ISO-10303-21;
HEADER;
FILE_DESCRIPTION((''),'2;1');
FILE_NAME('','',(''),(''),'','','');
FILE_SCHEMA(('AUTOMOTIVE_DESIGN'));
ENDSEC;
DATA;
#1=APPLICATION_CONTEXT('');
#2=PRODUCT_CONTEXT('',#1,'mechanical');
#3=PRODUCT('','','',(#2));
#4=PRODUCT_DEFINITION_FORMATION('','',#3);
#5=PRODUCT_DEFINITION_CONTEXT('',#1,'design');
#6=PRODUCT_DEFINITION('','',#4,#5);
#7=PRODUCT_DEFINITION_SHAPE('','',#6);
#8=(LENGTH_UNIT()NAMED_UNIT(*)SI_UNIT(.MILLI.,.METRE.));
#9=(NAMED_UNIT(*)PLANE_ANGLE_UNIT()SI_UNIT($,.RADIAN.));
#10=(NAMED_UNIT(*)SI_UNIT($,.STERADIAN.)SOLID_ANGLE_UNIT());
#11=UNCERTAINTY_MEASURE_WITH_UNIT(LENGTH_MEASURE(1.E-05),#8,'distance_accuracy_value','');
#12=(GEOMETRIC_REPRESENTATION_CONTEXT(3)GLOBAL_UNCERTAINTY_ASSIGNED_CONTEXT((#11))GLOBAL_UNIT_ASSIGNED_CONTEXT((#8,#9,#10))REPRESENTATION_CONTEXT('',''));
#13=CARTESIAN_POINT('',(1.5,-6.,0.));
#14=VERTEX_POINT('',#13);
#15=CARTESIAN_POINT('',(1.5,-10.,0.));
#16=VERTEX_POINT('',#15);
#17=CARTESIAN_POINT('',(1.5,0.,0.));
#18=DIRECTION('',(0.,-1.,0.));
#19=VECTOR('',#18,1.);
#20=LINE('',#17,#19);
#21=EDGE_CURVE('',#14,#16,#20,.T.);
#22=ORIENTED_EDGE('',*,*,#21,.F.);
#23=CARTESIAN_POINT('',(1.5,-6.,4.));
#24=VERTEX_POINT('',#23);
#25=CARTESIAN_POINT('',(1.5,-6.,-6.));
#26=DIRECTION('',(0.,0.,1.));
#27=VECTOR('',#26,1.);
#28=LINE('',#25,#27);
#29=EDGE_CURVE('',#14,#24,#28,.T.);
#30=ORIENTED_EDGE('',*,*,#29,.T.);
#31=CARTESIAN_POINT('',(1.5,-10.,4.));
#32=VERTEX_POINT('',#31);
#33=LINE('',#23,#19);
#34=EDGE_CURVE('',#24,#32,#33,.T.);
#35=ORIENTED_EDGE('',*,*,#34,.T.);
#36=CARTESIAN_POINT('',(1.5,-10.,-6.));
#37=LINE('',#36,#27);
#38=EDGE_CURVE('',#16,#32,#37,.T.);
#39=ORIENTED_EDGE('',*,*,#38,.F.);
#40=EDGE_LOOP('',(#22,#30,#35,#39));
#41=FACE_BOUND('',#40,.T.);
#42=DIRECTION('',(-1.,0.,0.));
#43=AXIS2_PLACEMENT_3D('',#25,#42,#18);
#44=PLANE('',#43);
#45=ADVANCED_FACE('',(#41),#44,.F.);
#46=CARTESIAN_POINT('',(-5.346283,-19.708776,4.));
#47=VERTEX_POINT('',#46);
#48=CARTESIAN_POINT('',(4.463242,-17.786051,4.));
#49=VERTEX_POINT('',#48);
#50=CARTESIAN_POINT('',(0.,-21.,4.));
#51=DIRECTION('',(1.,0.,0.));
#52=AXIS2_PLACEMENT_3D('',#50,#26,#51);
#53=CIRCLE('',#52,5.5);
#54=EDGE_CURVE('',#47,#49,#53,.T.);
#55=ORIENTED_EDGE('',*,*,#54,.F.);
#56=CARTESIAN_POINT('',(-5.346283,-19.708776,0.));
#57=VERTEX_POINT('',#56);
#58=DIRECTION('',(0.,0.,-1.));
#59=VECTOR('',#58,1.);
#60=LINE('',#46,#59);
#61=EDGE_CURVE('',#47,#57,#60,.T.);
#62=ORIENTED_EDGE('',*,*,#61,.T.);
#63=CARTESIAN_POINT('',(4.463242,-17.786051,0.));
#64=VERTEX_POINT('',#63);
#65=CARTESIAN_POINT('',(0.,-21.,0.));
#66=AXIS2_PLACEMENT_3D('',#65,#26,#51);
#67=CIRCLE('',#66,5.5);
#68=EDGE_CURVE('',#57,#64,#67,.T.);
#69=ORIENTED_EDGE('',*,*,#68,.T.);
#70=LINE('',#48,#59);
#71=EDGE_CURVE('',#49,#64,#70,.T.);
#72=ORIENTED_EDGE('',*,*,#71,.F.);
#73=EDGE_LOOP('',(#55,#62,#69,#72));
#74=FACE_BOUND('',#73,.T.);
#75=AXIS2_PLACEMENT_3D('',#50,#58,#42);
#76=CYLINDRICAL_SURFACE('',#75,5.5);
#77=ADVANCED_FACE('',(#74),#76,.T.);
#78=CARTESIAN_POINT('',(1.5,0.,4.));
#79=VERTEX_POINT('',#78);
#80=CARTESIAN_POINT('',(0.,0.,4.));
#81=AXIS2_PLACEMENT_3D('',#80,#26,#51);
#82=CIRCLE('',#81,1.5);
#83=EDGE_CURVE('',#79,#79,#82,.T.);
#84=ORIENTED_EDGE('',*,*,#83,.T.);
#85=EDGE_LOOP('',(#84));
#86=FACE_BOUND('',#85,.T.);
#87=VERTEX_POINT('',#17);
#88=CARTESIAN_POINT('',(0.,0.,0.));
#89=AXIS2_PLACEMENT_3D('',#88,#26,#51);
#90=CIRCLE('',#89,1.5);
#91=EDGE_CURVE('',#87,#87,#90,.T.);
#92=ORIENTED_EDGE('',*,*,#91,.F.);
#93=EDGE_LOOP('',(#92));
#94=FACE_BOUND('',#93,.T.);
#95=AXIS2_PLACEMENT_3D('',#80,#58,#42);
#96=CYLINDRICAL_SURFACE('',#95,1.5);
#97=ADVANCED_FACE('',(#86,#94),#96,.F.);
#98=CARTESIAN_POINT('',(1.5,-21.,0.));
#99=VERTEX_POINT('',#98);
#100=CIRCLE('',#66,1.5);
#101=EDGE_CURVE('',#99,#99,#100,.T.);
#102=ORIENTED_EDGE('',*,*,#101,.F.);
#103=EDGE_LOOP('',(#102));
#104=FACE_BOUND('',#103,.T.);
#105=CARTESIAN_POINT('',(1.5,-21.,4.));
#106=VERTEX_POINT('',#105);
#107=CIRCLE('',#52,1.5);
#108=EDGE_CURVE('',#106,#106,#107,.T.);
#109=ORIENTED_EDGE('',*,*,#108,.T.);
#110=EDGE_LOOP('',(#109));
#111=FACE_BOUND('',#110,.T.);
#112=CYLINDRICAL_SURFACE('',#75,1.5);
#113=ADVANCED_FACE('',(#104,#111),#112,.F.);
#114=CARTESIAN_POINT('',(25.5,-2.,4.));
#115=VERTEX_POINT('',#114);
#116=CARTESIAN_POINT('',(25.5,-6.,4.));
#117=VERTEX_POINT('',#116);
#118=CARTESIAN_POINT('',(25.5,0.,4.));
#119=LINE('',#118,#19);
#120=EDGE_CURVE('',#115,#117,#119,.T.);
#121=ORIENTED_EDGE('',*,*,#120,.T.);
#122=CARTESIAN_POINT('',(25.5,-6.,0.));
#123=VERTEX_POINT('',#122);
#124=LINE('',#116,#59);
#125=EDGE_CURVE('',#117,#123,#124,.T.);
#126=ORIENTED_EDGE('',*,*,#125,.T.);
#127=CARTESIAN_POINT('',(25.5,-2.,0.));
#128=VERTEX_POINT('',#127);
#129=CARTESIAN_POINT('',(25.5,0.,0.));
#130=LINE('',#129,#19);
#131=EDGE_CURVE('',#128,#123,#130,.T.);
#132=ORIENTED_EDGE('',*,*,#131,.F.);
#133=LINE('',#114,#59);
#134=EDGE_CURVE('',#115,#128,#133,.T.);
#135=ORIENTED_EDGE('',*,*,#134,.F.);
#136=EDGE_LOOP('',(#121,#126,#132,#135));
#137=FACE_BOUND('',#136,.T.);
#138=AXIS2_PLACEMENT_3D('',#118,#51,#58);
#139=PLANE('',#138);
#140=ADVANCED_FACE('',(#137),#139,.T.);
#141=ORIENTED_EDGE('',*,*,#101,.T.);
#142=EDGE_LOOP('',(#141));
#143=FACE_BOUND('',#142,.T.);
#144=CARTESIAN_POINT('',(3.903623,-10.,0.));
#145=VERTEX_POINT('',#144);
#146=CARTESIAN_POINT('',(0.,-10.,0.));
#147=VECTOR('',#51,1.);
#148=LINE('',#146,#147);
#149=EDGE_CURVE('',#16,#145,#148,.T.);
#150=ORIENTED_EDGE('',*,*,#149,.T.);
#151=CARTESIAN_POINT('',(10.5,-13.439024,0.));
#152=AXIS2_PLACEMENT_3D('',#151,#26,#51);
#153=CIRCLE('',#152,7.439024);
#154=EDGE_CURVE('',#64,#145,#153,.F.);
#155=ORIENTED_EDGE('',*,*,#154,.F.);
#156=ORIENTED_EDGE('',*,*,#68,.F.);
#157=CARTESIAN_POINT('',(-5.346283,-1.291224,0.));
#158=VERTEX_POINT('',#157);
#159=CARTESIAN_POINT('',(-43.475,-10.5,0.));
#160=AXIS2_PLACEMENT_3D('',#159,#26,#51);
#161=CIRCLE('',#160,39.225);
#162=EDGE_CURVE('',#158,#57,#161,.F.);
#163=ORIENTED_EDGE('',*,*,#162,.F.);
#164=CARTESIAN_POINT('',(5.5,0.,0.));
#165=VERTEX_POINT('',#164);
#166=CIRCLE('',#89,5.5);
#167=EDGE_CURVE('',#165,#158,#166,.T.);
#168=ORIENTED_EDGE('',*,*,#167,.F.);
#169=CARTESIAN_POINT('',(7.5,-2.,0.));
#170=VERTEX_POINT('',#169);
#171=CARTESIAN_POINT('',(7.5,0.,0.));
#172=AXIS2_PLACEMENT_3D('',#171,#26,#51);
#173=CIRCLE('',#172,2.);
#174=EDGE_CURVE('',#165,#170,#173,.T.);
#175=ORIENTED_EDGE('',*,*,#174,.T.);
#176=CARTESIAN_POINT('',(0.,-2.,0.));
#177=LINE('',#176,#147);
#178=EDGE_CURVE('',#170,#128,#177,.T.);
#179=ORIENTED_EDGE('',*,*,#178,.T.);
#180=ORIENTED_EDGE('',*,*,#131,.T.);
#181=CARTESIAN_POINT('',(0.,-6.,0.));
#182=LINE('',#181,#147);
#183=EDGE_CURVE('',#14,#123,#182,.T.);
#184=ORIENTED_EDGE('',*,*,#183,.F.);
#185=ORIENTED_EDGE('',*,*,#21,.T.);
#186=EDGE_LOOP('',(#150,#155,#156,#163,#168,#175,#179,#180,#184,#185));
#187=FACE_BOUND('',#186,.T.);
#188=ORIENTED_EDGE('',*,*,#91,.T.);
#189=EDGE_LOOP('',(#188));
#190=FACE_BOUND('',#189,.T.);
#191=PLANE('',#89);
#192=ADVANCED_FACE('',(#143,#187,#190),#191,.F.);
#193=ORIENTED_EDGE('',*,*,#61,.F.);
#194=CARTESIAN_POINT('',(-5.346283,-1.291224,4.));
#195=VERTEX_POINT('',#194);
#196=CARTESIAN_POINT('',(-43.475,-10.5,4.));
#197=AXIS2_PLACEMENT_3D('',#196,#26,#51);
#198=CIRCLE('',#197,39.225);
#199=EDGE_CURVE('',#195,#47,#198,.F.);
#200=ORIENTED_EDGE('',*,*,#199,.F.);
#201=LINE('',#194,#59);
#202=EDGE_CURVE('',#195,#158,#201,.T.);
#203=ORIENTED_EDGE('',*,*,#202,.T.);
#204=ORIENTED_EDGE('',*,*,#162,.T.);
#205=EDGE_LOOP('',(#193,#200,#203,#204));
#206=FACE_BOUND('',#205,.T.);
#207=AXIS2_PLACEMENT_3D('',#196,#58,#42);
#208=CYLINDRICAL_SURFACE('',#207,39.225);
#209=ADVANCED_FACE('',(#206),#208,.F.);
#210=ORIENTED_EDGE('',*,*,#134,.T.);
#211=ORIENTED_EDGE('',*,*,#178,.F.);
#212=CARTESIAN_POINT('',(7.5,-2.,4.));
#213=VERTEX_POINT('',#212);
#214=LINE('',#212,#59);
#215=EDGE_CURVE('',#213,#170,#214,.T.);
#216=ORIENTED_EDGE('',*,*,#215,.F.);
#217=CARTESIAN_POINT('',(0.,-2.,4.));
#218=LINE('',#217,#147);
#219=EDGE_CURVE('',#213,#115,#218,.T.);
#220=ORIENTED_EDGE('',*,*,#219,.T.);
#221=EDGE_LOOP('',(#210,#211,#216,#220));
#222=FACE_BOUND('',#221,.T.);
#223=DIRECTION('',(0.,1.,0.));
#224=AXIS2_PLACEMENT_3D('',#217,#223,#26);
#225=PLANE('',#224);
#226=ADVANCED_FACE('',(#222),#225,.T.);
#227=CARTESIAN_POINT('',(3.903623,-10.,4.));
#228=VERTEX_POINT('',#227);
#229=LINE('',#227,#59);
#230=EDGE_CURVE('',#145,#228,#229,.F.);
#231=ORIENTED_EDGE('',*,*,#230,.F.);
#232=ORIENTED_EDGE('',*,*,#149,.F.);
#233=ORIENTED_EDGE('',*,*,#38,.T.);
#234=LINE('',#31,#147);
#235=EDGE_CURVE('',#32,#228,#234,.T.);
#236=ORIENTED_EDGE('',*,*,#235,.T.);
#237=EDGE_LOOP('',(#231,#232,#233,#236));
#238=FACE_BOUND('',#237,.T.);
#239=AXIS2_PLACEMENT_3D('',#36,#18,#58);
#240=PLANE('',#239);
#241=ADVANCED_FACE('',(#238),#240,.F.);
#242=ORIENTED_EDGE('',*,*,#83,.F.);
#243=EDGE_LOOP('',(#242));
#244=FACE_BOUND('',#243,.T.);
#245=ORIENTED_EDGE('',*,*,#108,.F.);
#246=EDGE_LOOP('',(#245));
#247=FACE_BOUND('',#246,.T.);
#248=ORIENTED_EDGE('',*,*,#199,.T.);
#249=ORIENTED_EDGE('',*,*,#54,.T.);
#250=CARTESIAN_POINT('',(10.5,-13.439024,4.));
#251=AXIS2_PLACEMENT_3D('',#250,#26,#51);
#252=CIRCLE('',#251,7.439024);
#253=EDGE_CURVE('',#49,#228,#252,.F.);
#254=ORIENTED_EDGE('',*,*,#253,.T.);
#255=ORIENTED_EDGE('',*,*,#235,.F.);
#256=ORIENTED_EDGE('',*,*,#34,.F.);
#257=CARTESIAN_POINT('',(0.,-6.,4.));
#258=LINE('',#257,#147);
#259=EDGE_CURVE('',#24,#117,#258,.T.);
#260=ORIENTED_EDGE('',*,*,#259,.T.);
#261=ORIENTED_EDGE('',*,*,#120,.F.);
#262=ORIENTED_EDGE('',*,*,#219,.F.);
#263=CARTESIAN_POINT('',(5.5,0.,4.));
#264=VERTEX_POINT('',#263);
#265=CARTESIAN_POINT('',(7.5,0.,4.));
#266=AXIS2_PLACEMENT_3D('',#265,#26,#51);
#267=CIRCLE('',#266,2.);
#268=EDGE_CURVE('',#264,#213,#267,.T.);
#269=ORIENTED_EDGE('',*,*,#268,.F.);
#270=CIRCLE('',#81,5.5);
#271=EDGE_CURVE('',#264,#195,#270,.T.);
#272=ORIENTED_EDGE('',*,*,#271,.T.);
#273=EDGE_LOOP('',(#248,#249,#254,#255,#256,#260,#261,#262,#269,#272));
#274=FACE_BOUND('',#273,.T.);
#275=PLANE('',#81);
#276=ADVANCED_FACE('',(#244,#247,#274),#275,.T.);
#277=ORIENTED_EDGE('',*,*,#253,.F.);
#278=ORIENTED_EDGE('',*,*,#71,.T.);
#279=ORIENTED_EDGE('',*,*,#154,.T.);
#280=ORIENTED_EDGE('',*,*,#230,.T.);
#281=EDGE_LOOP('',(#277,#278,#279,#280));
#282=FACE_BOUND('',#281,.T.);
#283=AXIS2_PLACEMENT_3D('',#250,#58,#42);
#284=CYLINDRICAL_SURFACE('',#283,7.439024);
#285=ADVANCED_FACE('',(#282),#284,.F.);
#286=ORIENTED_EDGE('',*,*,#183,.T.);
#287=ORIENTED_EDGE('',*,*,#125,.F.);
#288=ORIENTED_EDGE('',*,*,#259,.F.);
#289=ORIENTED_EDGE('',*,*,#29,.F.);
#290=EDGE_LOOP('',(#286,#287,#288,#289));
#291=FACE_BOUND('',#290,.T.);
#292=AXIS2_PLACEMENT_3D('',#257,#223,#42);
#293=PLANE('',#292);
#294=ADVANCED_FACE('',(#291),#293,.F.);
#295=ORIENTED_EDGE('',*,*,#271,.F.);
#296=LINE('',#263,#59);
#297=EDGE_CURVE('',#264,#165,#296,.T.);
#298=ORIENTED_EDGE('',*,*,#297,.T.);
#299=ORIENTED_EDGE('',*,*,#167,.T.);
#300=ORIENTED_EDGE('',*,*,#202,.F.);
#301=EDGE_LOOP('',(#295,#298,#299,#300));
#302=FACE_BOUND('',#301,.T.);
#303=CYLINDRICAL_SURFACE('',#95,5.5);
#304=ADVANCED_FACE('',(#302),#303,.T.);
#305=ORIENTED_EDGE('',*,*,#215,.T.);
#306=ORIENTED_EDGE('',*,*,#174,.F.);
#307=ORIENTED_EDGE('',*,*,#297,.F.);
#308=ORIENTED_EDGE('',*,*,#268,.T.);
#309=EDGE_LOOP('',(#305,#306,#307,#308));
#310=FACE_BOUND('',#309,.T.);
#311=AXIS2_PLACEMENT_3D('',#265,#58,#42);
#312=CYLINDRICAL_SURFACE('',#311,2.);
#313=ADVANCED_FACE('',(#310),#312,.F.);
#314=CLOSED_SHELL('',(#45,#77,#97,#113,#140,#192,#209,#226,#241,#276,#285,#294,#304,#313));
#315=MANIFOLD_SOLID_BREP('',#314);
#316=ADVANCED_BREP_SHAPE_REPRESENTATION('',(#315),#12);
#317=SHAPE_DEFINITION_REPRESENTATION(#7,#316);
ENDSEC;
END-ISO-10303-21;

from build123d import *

# Parameters (mm, degrees)
SKETCH1_R           = 1.5
BOSS_EXTRUDE1_DEPTH = 4
SKETCH2_W           = 24
SKETCH2_H           = 4
CUT_EXTRUDE1_DEPTH  = 10


with BuildPart() as part:
    # Sketch1 → Boss-Extrude1 (new body)
    with BuildSketch(Plane.XY):
        with BuildLine():
            Line((25.5, -2), (7.5, -2))
            ThreePointArc((7.5, -2), (6.085786438, -1.414213562), (5.5, 0))
            ThreePointArc((5.5, 0), (-0.650170894, 5.461435508), (-5.34628284, -1.291224148))
            ThreePointArc((-5.34628284, -1.291224148), (-4.25, -10.5), (-5.34628284, -19.708775852))
            ThreePointArc((-5.34628284, -19.708775852), (1.057902641, -26.39729951), (4.463242224, -17.786050895))
            ThreePointArc((4.463242224, -17.786050895), (3.8789457, -10.047752676), (10.5, -6))
            Line((10.5, -6), (25.5, -6))
            Line((25.5, -6), (25.5, -2))
        make_face()
        Circle(SKETCH1_R, mode=Mode.SUBTRACT)
        with Locations((0, -21)):
            Circle(SKETCH1_R, mode=Mode.SUBTRACT)
    extrude(amount=BOSS_EXTRUDE1_DEPTH)

    # Sketch2 → Cut-Extrude1 (cut)
    with BuildSketch(Plane.XY.offset(4)):
        with Locations((13.5, -8)):
            Rectangle(SKETCH2_W, SKETCH2_H)
    extrude(amount=-CUT_EXTRUDE1_DEPTH, mode=Mode.SUBTRACT)


solid = part.part
